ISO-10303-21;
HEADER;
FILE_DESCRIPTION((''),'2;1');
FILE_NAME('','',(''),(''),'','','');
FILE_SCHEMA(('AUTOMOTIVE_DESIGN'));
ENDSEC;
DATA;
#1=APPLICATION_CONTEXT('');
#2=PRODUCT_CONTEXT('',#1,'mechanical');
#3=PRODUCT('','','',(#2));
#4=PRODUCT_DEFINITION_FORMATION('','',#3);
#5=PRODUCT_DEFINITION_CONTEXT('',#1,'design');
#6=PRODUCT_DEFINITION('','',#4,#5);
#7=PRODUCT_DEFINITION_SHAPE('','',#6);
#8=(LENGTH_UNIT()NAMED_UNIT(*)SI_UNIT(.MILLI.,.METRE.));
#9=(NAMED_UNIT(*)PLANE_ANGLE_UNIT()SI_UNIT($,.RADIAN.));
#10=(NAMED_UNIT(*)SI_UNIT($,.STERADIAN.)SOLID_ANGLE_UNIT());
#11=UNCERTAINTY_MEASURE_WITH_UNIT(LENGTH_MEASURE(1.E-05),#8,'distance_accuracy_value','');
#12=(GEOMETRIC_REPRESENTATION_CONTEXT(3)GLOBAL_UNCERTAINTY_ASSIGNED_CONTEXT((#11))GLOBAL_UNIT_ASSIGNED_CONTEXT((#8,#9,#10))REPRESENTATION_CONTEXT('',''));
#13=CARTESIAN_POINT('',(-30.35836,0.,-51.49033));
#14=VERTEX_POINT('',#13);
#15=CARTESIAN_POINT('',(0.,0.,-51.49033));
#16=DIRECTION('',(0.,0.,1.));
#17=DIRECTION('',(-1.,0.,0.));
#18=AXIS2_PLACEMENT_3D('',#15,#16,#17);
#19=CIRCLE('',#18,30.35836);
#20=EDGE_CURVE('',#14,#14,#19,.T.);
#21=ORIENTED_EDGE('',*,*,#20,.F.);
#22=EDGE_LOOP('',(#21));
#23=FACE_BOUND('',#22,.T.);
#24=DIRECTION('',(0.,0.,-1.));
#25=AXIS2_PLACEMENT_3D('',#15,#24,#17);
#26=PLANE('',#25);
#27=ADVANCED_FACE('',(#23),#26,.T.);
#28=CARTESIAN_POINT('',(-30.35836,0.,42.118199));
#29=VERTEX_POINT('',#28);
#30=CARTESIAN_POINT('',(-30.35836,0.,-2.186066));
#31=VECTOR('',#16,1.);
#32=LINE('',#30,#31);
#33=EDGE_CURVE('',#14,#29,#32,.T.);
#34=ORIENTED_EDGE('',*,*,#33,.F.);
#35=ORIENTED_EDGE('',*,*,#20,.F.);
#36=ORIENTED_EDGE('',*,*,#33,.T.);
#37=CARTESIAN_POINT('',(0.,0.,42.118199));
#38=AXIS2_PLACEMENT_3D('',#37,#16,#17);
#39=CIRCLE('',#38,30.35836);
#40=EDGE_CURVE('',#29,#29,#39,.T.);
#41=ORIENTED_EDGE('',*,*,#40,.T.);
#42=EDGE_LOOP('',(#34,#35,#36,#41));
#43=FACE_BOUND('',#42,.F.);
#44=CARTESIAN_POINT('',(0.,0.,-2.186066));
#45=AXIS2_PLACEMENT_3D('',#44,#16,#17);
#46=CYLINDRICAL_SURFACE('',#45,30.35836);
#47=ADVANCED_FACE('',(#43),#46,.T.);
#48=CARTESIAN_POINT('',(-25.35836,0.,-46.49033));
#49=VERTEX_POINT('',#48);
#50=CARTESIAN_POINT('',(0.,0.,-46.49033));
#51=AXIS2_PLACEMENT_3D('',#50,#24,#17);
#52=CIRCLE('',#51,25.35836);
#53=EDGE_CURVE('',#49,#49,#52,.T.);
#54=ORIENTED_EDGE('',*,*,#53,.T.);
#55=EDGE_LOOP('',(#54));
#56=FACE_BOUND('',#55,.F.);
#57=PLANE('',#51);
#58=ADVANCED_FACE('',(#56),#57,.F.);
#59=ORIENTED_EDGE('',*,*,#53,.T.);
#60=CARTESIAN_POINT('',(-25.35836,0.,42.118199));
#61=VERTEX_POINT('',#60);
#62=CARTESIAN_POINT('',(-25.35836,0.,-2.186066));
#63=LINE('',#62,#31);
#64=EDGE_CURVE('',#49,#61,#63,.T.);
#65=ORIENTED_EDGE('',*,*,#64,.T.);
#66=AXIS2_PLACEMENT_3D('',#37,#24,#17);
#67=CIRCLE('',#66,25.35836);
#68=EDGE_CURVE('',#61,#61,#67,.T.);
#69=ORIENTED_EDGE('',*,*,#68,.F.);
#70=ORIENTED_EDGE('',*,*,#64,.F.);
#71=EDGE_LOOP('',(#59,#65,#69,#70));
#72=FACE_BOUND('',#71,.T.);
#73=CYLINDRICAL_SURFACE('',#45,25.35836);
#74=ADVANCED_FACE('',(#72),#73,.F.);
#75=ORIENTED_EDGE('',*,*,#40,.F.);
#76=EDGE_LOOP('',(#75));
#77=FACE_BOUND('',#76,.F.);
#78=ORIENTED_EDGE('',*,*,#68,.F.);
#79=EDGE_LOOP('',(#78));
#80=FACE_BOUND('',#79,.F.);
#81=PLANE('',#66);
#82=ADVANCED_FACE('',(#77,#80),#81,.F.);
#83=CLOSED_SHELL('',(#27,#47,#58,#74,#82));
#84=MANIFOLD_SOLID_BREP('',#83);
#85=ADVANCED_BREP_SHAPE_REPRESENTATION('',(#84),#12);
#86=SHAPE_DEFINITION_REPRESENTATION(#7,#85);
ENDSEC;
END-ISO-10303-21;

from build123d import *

# Parameters (mm, degrees)
F0_W = 25.3583602607
F0_H = 88.6085294187
F2_T = 5


with BuildPart() as f1:
    # F0 (on Front) → F1 (revolve)
    with BuildSketch(Plane.XZ):
        with Locations((-12.6791801304, -2.1860655397)):
            Rectangle(F0_W, F0_H)
    revolve(axis=Axis((0, 0, -2.1860655397), (0, 0, -1)))

    # F2
    f2_openings = [f1.faces().sort_by_distance(p)[0] for p in [
        (0, 0, 42.118199),
    ]]
    offset(amount=F2_T, openings=f2_openings, kind=Kind.INTERSECTION)


solid = f1.part
